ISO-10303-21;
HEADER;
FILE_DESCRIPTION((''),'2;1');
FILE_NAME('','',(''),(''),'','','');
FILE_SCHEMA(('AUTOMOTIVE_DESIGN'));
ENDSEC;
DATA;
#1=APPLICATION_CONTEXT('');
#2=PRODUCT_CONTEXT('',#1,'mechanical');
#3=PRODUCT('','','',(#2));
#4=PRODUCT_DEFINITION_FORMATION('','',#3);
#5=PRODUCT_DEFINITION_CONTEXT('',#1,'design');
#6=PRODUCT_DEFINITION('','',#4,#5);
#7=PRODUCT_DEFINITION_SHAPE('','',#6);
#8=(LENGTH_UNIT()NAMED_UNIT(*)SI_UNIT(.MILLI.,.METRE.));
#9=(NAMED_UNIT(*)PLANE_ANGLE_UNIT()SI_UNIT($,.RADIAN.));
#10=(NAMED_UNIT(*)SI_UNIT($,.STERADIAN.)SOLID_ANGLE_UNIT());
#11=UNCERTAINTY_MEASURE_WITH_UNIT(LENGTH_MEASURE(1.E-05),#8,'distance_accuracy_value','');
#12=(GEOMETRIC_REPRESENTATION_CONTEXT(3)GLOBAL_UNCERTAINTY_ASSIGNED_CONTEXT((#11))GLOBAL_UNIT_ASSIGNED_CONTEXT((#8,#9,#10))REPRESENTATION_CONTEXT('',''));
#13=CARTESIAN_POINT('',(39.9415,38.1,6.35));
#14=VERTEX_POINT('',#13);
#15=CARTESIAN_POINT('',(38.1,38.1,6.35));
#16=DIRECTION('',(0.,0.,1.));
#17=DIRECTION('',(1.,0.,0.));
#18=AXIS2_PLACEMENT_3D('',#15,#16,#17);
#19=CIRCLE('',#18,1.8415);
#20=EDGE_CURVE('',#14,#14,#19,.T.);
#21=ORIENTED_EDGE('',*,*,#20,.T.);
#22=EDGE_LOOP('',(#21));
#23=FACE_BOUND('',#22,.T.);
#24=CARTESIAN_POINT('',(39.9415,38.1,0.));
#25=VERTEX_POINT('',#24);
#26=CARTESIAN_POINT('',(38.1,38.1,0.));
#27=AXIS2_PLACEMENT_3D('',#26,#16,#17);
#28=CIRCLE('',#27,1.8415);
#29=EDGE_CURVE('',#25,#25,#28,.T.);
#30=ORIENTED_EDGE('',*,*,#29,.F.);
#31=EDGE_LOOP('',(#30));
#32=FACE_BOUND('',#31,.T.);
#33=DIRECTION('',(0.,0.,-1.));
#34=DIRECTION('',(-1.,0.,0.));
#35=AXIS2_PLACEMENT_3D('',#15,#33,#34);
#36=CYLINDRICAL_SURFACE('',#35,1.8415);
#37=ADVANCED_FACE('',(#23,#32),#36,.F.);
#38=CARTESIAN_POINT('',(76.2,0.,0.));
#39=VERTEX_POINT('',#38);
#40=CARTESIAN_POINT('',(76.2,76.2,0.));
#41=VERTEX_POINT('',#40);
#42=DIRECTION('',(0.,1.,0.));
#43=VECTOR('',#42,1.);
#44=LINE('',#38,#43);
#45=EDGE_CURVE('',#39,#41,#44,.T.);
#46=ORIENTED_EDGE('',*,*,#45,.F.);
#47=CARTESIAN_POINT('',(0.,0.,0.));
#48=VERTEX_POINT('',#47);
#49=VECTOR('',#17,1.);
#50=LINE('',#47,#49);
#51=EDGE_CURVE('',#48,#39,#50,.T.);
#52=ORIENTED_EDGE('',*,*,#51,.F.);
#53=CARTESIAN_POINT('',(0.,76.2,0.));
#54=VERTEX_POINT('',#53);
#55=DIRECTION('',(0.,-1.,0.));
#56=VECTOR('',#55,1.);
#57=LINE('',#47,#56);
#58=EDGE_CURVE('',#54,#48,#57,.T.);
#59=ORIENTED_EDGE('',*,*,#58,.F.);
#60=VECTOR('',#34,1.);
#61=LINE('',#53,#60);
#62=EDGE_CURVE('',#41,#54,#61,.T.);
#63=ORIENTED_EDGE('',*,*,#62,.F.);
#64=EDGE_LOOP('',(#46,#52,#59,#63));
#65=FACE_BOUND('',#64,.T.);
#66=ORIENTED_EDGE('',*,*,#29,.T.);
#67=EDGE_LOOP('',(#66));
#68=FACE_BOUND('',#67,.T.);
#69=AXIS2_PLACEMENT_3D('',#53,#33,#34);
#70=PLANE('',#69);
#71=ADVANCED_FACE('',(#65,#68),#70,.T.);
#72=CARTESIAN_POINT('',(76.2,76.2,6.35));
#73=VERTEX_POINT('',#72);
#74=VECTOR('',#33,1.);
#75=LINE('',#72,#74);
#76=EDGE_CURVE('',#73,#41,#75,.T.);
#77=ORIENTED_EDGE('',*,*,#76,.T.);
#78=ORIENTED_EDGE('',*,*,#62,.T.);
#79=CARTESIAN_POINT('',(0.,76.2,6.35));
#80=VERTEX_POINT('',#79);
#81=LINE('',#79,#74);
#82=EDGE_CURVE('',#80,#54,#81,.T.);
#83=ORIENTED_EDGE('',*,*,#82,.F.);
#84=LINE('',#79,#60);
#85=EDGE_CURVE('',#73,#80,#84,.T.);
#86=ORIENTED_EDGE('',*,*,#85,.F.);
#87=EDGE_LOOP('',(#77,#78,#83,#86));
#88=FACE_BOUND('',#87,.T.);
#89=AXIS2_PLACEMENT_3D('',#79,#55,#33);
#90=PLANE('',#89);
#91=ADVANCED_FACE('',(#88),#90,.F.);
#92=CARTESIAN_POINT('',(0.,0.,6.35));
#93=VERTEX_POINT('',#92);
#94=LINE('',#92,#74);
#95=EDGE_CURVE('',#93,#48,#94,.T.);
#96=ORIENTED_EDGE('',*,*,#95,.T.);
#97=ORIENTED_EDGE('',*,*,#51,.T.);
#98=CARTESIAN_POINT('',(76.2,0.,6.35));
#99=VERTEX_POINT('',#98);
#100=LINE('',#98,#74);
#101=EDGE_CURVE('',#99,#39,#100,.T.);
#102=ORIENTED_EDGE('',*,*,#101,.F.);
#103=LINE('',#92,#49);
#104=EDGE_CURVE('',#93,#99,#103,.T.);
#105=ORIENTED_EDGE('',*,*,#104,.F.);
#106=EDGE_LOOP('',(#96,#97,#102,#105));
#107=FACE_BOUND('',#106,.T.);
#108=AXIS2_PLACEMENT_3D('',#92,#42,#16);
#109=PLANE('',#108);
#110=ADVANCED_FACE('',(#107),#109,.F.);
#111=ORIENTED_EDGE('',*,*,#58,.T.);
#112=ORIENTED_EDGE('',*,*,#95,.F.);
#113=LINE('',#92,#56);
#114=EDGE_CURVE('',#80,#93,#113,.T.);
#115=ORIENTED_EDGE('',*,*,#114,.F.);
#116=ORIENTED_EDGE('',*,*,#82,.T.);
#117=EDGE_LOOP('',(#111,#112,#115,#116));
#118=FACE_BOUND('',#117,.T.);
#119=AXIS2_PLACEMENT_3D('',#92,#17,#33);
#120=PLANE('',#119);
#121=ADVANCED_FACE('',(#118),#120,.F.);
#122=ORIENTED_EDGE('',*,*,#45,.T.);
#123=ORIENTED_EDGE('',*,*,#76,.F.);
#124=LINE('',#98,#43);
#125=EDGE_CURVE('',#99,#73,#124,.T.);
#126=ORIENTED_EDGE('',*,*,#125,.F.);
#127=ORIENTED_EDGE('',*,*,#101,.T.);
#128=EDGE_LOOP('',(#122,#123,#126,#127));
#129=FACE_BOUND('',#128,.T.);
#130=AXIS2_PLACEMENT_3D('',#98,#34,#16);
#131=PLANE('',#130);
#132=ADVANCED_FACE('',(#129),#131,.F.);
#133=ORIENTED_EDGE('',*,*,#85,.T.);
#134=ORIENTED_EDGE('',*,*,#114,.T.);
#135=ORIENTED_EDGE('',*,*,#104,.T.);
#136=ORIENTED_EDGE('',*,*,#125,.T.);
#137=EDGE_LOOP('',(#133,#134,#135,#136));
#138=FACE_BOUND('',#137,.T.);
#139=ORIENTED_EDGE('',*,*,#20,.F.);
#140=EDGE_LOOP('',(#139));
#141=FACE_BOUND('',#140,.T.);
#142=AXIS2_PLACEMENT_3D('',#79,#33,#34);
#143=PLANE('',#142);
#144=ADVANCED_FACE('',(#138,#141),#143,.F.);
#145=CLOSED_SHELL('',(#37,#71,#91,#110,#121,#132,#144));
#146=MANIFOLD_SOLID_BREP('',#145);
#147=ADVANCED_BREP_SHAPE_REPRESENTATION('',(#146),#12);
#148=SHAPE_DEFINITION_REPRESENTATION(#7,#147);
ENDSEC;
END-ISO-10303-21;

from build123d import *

# Parameters (mm, degrees)
SKETCH1_W           = 76.2
SKETCH1_H           = 76.2
SKETCH1_R           = 1.8415
BOSS_EXTRUDE1_DEPTH = 6.35


with BuildPart() as part:
    # Sketch1 → Boss-Extrude1 (new body)
    with BuildSketch(Plane.XY):
        with Locations((38.1, 38.1)):
            Rectangle(SKETCH1_W, SKETCH1_H)
        with Locations((38.1, 38.1)):
            Circle(SKETCH1_R, mode=Mode.SUBTRACT)
    extrude(amount=BOSS_EXTRUDE1_DEPTH)


solid = part.part
